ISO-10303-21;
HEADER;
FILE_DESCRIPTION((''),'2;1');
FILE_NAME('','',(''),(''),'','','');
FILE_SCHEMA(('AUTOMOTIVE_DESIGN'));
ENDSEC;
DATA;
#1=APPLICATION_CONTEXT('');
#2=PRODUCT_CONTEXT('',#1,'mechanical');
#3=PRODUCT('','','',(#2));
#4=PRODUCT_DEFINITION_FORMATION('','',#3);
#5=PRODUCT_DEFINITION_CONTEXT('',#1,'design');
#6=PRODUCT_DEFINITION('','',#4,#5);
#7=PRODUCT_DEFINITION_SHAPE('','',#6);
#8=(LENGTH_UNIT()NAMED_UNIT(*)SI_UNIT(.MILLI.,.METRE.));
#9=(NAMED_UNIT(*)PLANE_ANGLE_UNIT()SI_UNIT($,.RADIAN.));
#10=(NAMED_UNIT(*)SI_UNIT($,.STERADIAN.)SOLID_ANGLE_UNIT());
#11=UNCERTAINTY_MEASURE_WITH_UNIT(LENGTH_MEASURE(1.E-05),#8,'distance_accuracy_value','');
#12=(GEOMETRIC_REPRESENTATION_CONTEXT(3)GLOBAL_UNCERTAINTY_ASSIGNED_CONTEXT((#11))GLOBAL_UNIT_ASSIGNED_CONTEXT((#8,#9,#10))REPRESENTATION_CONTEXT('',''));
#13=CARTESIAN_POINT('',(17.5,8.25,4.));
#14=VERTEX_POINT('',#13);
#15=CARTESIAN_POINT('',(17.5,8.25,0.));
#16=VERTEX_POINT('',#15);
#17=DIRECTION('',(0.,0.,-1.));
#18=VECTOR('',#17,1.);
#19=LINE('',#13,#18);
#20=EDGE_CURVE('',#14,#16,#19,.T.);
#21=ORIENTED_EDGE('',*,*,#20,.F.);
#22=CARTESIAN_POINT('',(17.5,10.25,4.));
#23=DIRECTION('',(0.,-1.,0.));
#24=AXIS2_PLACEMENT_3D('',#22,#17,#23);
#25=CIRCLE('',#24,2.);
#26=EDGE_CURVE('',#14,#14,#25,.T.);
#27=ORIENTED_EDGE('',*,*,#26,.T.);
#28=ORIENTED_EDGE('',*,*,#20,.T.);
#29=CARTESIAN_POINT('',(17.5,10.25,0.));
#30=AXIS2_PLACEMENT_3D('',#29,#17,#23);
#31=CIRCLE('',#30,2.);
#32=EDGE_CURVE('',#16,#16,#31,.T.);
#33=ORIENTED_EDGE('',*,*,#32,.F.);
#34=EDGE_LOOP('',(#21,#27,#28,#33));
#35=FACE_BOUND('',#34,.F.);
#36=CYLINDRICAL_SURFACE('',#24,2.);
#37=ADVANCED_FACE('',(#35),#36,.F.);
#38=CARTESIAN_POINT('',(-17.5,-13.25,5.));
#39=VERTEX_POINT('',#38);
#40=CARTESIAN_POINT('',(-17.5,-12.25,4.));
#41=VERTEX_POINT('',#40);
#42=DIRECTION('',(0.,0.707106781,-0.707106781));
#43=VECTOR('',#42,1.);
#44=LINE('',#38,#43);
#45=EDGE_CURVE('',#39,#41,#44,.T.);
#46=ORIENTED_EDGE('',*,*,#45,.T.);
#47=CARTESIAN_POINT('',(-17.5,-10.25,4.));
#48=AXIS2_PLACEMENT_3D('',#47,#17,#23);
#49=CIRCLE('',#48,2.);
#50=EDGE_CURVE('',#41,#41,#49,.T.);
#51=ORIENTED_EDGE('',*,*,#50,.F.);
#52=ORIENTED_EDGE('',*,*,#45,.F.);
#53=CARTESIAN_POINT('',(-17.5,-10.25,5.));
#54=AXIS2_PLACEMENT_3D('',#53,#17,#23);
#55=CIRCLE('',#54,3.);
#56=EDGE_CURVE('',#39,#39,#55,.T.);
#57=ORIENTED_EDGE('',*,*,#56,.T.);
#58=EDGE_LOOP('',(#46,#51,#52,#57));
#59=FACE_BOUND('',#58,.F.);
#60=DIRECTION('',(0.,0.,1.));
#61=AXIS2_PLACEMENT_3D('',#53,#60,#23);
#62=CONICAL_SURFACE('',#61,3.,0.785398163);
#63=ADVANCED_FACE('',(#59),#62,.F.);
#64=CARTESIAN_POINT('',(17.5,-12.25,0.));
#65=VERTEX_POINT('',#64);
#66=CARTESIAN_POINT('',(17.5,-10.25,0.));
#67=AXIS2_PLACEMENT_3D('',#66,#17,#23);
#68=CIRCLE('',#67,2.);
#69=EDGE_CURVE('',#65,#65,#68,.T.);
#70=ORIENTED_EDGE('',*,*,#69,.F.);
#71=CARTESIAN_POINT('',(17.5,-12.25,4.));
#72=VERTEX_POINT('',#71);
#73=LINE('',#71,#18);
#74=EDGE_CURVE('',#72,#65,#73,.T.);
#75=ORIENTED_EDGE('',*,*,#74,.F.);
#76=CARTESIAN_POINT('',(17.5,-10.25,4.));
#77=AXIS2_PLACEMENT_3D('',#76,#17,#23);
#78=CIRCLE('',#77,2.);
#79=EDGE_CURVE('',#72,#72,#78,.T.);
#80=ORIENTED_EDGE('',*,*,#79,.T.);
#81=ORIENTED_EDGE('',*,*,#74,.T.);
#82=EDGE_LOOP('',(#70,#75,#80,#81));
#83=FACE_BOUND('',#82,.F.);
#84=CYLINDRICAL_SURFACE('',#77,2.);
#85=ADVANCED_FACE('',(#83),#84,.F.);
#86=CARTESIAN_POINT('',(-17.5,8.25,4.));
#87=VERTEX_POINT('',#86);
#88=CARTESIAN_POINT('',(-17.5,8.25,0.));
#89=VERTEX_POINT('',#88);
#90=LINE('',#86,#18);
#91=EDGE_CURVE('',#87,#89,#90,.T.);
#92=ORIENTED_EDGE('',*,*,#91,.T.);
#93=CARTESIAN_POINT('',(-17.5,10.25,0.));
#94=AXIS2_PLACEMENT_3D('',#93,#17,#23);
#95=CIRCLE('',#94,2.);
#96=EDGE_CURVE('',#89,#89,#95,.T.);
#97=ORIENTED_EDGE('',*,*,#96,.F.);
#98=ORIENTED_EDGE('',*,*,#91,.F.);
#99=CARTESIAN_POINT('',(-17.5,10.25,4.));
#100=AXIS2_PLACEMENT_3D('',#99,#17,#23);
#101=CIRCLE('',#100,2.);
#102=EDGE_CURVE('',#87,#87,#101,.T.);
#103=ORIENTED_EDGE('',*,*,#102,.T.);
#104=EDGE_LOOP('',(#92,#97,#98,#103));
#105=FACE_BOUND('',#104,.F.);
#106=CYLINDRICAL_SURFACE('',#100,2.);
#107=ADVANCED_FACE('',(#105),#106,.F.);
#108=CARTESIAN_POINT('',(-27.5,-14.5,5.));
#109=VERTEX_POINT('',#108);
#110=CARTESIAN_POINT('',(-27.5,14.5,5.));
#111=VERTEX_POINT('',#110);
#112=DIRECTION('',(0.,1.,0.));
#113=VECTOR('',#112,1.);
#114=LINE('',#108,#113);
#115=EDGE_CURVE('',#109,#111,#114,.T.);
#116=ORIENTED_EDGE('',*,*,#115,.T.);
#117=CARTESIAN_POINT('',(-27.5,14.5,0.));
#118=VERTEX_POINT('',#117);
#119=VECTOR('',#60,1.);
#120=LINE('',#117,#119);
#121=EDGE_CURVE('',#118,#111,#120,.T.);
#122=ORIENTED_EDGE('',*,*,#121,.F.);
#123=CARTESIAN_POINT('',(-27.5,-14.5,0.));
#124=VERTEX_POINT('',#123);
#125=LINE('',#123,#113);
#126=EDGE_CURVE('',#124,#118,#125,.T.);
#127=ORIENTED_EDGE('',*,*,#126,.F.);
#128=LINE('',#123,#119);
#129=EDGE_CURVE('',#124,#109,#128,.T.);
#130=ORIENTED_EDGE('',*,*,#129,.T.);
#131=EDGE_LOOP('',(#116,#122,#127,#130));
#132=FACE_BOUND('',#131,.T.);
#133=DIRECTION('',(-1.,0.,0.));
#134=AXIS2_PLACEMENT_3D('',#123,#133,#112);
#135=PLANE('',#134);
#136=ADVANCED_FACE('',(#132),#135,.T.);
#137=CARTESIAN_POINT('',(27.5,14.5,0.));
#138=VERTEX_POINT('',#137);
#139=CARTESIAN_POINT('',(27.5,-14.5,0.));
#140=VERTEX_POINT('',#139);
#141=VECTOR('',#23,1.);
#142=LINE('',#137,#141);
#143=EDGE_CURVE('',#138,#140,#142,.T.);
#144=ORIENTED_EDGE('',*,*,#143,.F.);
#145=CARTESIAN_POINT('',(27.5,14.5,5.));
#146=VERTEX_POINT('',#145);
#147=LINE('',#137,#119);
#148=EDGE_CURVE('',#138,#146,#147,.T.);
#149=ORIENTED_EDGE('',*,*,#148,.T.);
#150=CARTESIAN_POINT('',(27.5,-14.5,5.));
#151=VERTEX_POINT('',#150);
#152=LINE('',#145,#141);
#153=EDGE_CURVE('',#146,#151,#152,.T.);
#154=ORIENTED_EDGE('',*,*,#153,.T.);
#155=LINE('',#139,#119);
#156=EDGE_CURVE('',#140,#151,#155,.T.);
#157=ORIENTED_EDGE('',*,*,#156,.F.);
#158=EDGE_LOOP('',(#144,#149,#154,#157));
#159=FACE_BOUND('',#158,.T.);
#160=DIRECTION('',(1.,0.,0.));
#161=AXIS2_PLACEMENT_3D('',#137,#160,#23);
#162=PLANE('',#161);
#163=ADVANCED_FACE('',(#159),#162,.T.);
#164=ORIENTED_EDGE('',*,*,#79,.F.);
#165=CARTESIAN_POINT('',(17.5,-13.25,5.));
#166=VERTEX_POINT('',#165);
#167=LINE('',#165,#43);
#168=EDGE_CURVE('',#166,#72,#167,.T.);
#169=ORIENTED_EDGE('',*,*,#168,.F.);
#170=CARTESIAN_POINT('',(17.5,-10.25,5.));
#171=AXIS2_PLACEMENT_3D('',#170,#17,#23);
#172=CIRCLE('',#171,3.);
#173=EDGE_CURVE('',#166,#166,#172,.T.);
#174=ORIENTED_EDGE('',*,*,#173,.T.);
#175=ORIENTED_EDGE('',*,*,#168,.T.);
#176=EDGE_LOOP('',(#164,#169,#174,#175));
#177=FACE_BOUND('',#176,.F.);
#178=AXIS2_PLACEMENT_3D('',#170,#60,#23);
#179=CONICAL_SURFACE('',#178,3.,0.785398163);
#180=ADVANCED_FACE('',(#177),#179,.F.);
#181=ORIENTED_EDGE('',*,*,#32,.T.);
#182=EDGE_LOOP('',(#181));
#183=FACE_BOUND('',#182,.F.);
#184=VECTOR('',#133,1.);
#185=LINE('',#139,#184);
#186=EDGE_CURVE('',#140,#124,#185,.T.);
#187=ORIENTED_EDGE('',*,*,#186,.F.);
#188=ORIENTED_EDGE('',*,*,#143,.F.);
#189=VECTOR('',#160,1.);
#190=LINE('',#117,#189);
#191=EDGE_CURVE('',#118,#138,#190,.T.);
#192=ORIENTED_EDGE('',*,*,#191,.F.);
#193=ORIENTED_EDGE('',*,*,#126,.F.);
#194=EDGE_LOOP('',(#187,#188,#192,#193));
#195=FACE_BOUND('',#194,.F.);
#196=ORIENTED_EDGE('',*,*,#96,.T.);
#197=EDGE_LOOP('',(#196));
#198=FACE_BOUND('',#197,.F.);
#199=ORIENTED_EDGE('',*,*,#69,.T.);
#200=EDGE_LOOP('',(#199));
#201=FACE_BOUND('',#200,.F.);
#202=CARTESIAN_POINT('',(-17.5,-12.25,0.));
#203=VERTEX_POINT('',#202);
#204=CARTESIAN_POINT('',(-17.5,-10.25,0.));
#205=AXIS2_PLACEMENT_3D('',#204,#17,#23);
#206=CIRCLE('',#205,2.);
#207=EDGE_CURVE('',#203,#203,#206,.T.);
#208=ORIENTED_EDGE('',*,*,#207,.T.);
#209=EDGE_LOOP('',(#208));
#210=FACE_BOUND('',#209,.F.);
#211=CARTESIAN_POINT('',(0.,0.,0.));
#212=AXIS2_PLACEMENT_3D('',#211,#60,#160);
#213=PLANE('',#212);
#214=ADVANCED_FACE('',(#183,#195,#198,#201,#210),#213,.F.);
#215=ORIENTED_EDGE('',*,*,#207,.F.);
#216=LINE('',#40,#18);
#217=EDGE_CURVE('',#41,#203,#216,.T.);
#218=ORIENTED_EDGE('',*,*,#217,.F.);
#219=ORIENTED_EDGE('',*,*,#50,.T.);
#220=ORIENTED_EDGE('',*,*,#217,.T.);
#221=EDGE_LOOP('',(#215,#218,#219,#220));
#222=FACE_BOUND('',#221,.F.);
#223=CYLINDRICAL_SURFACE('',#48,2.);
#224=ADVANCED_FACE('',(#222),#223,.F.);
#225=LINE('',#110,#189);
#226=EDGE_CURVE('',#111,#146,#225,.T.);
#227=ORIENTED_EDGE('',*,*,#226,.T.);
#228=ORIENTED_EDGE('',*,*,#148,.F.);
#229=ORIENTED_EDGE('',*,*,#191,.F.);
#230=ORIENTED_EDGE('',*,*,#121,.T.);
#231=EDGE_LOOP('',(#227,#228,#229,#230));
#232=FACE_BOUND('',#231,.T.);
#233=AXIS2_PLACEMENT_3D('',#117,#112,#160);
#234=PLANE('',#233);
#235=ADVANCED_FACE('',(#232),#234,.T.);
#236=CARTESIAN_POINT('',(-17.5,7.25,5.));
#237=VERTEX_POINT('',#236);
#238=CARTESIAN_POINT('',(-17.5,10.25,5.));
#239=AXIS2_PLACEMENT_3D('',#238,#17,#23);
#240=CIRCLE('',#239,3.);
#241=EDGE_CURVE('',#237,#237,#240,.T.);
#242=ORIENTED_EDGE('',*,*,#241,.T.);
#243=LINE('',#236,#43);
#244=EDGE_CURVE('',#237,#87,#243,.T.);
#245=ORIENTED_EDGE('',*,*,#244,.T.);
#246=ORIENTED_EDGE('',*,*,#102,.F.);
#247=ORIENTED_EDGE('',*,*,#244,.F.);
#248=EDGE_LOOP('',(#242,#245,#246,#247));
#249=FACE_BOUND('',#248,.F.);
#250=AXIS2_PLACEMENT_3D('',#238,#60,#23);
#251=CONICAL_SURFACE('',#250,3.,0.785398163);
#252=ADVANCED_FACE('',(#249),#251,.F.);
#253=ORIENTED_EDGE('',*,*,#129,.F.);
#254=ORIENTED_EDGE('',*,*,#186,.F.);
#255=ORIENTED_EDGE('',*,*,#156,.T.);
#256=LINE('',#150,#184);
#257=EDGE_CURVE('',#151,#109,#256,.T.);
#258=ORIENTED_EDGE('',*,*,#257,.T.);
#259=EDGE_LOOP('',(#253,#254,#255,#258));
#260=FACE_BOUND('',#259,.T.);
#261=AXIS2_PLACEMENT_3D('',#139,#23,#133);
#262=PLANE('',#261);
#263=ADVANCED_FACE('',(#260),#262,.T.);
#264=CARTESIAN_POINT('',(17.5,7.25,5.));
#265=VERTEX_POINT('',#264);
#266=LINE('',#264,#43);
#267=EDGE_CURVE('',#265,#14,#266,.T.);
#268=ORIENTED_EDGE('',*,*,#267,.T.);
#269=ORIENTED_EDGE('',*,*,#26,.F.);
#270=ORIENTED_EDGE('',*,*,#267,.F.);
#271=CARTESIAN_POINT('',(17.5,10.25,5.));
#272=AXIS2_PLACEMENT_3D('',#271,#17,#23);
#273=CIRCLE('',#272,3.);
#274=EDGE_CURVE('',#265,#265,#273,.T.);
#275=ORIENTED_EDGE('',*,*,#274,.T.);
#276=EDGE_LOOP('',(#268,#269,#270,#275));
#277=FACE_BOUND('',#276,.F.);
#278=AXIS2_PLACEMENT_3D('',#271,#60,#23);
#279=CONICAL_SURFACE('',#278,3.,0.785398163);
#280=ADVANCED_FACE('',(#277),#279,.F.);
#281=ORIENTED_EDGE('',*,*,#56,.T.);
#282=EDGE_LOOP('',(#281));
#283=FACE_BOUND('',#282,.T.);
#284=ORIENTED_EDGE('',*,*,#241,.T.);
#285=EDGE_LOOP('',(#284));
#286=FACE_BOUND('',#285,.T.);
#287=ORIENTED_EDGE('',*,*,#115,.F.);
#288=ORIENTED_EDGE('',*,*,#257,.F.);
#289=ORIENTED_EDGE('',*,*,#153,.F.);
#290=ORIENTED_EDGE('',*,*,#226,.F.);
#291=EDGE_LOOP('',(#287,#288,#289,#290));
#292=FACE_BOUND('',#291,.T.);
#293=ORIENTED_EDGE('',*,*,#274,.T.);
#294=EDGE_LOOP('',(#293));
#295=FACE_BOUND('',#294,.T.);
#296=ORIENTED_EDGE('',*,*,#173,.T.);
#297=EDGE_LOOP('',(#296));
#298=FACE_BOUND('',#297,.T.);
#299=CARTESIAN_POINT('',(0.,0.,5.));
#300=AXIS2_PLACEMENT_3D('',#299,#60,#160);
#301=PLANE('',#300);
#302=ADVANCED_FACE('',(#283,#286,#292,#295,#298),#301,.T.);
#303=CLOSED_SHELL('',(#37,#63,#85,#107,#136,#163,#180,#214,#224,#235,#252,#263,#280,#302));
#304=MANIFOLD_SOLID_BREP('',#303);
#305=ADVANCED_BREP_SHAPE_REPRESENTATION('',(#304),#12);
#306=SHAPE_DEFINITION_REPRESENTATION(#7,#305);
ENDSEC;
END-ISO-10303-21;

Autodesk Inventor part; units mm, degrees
ref_plane "YZ Plane" through (0, 0, 0) normal (1, 0, 0) x (0, 1, 0)
ref_plane "XZ Plane" through (0, 0, 0) normal (0, 1, 0) x (-1, 0, 0)
ref_plane "XY Plane" through (0, 0, 0) normal (0, 0, 1) x (1, 0, 0)
sketch "Esboço1" plane through (0, 0, 0) normal (0, 0, 1) x (1, 0, 0)
  line L0 (27.5, -14.5) -> (-27.5, -14.5)
  line L1 (-27.5, -14.5) -> (-27.5, 14.5)
  line L2 (-27.5, 14.5) -> (27.5, 14.5)
  line L3 (27.5, 14.5) -> (27.5, -14.5)
  line L4 (27.5, -14.5) -> (-27.5, 14.5) construction
  line L5 (-27.5, -14.5) -> (27.5, 14.5) construction
  point P0 (0, 0)
  dimension "d0" = 55
  dimension "d1" = 29
extrude "Extrusão1" add sketch "Esboço1" along normal blind 5
sketch "Esboço2" plane through (0, 0, 5) normal (0, 0, 1) x (1, 0, 0)
  line L0 (-27.5, 14.5) -> (-27.5, -14.5) projected
  line L1 (27.5, 14.5) -> (-27.5, 14.5) projected
  line L2 (0, 0) -> (-7.3879, 0)
  line L3 (0, 0) -> (0, 5.1516)
  point P0 (-17.5, 10.25)
  point P1 (17.5, 10.25)
  point P2 (-17.5, -10.25)
  point P3 (17.5, -10.25)
  dimension "d4" = 10
  dimension "d5" = 4.25
hole "Furo1" at (-17.5, 10.25, 5) at (17.5, 10.25, 5) at (-17.5, -10.25, 5) at (17.5, -10.25, 5) direction (0, 0, -1) diameter 4 end through all countersink diameter 6 countersink angle 90
properties part number "Tampa Apoio Motor" material "Plástico PC/ABS"
